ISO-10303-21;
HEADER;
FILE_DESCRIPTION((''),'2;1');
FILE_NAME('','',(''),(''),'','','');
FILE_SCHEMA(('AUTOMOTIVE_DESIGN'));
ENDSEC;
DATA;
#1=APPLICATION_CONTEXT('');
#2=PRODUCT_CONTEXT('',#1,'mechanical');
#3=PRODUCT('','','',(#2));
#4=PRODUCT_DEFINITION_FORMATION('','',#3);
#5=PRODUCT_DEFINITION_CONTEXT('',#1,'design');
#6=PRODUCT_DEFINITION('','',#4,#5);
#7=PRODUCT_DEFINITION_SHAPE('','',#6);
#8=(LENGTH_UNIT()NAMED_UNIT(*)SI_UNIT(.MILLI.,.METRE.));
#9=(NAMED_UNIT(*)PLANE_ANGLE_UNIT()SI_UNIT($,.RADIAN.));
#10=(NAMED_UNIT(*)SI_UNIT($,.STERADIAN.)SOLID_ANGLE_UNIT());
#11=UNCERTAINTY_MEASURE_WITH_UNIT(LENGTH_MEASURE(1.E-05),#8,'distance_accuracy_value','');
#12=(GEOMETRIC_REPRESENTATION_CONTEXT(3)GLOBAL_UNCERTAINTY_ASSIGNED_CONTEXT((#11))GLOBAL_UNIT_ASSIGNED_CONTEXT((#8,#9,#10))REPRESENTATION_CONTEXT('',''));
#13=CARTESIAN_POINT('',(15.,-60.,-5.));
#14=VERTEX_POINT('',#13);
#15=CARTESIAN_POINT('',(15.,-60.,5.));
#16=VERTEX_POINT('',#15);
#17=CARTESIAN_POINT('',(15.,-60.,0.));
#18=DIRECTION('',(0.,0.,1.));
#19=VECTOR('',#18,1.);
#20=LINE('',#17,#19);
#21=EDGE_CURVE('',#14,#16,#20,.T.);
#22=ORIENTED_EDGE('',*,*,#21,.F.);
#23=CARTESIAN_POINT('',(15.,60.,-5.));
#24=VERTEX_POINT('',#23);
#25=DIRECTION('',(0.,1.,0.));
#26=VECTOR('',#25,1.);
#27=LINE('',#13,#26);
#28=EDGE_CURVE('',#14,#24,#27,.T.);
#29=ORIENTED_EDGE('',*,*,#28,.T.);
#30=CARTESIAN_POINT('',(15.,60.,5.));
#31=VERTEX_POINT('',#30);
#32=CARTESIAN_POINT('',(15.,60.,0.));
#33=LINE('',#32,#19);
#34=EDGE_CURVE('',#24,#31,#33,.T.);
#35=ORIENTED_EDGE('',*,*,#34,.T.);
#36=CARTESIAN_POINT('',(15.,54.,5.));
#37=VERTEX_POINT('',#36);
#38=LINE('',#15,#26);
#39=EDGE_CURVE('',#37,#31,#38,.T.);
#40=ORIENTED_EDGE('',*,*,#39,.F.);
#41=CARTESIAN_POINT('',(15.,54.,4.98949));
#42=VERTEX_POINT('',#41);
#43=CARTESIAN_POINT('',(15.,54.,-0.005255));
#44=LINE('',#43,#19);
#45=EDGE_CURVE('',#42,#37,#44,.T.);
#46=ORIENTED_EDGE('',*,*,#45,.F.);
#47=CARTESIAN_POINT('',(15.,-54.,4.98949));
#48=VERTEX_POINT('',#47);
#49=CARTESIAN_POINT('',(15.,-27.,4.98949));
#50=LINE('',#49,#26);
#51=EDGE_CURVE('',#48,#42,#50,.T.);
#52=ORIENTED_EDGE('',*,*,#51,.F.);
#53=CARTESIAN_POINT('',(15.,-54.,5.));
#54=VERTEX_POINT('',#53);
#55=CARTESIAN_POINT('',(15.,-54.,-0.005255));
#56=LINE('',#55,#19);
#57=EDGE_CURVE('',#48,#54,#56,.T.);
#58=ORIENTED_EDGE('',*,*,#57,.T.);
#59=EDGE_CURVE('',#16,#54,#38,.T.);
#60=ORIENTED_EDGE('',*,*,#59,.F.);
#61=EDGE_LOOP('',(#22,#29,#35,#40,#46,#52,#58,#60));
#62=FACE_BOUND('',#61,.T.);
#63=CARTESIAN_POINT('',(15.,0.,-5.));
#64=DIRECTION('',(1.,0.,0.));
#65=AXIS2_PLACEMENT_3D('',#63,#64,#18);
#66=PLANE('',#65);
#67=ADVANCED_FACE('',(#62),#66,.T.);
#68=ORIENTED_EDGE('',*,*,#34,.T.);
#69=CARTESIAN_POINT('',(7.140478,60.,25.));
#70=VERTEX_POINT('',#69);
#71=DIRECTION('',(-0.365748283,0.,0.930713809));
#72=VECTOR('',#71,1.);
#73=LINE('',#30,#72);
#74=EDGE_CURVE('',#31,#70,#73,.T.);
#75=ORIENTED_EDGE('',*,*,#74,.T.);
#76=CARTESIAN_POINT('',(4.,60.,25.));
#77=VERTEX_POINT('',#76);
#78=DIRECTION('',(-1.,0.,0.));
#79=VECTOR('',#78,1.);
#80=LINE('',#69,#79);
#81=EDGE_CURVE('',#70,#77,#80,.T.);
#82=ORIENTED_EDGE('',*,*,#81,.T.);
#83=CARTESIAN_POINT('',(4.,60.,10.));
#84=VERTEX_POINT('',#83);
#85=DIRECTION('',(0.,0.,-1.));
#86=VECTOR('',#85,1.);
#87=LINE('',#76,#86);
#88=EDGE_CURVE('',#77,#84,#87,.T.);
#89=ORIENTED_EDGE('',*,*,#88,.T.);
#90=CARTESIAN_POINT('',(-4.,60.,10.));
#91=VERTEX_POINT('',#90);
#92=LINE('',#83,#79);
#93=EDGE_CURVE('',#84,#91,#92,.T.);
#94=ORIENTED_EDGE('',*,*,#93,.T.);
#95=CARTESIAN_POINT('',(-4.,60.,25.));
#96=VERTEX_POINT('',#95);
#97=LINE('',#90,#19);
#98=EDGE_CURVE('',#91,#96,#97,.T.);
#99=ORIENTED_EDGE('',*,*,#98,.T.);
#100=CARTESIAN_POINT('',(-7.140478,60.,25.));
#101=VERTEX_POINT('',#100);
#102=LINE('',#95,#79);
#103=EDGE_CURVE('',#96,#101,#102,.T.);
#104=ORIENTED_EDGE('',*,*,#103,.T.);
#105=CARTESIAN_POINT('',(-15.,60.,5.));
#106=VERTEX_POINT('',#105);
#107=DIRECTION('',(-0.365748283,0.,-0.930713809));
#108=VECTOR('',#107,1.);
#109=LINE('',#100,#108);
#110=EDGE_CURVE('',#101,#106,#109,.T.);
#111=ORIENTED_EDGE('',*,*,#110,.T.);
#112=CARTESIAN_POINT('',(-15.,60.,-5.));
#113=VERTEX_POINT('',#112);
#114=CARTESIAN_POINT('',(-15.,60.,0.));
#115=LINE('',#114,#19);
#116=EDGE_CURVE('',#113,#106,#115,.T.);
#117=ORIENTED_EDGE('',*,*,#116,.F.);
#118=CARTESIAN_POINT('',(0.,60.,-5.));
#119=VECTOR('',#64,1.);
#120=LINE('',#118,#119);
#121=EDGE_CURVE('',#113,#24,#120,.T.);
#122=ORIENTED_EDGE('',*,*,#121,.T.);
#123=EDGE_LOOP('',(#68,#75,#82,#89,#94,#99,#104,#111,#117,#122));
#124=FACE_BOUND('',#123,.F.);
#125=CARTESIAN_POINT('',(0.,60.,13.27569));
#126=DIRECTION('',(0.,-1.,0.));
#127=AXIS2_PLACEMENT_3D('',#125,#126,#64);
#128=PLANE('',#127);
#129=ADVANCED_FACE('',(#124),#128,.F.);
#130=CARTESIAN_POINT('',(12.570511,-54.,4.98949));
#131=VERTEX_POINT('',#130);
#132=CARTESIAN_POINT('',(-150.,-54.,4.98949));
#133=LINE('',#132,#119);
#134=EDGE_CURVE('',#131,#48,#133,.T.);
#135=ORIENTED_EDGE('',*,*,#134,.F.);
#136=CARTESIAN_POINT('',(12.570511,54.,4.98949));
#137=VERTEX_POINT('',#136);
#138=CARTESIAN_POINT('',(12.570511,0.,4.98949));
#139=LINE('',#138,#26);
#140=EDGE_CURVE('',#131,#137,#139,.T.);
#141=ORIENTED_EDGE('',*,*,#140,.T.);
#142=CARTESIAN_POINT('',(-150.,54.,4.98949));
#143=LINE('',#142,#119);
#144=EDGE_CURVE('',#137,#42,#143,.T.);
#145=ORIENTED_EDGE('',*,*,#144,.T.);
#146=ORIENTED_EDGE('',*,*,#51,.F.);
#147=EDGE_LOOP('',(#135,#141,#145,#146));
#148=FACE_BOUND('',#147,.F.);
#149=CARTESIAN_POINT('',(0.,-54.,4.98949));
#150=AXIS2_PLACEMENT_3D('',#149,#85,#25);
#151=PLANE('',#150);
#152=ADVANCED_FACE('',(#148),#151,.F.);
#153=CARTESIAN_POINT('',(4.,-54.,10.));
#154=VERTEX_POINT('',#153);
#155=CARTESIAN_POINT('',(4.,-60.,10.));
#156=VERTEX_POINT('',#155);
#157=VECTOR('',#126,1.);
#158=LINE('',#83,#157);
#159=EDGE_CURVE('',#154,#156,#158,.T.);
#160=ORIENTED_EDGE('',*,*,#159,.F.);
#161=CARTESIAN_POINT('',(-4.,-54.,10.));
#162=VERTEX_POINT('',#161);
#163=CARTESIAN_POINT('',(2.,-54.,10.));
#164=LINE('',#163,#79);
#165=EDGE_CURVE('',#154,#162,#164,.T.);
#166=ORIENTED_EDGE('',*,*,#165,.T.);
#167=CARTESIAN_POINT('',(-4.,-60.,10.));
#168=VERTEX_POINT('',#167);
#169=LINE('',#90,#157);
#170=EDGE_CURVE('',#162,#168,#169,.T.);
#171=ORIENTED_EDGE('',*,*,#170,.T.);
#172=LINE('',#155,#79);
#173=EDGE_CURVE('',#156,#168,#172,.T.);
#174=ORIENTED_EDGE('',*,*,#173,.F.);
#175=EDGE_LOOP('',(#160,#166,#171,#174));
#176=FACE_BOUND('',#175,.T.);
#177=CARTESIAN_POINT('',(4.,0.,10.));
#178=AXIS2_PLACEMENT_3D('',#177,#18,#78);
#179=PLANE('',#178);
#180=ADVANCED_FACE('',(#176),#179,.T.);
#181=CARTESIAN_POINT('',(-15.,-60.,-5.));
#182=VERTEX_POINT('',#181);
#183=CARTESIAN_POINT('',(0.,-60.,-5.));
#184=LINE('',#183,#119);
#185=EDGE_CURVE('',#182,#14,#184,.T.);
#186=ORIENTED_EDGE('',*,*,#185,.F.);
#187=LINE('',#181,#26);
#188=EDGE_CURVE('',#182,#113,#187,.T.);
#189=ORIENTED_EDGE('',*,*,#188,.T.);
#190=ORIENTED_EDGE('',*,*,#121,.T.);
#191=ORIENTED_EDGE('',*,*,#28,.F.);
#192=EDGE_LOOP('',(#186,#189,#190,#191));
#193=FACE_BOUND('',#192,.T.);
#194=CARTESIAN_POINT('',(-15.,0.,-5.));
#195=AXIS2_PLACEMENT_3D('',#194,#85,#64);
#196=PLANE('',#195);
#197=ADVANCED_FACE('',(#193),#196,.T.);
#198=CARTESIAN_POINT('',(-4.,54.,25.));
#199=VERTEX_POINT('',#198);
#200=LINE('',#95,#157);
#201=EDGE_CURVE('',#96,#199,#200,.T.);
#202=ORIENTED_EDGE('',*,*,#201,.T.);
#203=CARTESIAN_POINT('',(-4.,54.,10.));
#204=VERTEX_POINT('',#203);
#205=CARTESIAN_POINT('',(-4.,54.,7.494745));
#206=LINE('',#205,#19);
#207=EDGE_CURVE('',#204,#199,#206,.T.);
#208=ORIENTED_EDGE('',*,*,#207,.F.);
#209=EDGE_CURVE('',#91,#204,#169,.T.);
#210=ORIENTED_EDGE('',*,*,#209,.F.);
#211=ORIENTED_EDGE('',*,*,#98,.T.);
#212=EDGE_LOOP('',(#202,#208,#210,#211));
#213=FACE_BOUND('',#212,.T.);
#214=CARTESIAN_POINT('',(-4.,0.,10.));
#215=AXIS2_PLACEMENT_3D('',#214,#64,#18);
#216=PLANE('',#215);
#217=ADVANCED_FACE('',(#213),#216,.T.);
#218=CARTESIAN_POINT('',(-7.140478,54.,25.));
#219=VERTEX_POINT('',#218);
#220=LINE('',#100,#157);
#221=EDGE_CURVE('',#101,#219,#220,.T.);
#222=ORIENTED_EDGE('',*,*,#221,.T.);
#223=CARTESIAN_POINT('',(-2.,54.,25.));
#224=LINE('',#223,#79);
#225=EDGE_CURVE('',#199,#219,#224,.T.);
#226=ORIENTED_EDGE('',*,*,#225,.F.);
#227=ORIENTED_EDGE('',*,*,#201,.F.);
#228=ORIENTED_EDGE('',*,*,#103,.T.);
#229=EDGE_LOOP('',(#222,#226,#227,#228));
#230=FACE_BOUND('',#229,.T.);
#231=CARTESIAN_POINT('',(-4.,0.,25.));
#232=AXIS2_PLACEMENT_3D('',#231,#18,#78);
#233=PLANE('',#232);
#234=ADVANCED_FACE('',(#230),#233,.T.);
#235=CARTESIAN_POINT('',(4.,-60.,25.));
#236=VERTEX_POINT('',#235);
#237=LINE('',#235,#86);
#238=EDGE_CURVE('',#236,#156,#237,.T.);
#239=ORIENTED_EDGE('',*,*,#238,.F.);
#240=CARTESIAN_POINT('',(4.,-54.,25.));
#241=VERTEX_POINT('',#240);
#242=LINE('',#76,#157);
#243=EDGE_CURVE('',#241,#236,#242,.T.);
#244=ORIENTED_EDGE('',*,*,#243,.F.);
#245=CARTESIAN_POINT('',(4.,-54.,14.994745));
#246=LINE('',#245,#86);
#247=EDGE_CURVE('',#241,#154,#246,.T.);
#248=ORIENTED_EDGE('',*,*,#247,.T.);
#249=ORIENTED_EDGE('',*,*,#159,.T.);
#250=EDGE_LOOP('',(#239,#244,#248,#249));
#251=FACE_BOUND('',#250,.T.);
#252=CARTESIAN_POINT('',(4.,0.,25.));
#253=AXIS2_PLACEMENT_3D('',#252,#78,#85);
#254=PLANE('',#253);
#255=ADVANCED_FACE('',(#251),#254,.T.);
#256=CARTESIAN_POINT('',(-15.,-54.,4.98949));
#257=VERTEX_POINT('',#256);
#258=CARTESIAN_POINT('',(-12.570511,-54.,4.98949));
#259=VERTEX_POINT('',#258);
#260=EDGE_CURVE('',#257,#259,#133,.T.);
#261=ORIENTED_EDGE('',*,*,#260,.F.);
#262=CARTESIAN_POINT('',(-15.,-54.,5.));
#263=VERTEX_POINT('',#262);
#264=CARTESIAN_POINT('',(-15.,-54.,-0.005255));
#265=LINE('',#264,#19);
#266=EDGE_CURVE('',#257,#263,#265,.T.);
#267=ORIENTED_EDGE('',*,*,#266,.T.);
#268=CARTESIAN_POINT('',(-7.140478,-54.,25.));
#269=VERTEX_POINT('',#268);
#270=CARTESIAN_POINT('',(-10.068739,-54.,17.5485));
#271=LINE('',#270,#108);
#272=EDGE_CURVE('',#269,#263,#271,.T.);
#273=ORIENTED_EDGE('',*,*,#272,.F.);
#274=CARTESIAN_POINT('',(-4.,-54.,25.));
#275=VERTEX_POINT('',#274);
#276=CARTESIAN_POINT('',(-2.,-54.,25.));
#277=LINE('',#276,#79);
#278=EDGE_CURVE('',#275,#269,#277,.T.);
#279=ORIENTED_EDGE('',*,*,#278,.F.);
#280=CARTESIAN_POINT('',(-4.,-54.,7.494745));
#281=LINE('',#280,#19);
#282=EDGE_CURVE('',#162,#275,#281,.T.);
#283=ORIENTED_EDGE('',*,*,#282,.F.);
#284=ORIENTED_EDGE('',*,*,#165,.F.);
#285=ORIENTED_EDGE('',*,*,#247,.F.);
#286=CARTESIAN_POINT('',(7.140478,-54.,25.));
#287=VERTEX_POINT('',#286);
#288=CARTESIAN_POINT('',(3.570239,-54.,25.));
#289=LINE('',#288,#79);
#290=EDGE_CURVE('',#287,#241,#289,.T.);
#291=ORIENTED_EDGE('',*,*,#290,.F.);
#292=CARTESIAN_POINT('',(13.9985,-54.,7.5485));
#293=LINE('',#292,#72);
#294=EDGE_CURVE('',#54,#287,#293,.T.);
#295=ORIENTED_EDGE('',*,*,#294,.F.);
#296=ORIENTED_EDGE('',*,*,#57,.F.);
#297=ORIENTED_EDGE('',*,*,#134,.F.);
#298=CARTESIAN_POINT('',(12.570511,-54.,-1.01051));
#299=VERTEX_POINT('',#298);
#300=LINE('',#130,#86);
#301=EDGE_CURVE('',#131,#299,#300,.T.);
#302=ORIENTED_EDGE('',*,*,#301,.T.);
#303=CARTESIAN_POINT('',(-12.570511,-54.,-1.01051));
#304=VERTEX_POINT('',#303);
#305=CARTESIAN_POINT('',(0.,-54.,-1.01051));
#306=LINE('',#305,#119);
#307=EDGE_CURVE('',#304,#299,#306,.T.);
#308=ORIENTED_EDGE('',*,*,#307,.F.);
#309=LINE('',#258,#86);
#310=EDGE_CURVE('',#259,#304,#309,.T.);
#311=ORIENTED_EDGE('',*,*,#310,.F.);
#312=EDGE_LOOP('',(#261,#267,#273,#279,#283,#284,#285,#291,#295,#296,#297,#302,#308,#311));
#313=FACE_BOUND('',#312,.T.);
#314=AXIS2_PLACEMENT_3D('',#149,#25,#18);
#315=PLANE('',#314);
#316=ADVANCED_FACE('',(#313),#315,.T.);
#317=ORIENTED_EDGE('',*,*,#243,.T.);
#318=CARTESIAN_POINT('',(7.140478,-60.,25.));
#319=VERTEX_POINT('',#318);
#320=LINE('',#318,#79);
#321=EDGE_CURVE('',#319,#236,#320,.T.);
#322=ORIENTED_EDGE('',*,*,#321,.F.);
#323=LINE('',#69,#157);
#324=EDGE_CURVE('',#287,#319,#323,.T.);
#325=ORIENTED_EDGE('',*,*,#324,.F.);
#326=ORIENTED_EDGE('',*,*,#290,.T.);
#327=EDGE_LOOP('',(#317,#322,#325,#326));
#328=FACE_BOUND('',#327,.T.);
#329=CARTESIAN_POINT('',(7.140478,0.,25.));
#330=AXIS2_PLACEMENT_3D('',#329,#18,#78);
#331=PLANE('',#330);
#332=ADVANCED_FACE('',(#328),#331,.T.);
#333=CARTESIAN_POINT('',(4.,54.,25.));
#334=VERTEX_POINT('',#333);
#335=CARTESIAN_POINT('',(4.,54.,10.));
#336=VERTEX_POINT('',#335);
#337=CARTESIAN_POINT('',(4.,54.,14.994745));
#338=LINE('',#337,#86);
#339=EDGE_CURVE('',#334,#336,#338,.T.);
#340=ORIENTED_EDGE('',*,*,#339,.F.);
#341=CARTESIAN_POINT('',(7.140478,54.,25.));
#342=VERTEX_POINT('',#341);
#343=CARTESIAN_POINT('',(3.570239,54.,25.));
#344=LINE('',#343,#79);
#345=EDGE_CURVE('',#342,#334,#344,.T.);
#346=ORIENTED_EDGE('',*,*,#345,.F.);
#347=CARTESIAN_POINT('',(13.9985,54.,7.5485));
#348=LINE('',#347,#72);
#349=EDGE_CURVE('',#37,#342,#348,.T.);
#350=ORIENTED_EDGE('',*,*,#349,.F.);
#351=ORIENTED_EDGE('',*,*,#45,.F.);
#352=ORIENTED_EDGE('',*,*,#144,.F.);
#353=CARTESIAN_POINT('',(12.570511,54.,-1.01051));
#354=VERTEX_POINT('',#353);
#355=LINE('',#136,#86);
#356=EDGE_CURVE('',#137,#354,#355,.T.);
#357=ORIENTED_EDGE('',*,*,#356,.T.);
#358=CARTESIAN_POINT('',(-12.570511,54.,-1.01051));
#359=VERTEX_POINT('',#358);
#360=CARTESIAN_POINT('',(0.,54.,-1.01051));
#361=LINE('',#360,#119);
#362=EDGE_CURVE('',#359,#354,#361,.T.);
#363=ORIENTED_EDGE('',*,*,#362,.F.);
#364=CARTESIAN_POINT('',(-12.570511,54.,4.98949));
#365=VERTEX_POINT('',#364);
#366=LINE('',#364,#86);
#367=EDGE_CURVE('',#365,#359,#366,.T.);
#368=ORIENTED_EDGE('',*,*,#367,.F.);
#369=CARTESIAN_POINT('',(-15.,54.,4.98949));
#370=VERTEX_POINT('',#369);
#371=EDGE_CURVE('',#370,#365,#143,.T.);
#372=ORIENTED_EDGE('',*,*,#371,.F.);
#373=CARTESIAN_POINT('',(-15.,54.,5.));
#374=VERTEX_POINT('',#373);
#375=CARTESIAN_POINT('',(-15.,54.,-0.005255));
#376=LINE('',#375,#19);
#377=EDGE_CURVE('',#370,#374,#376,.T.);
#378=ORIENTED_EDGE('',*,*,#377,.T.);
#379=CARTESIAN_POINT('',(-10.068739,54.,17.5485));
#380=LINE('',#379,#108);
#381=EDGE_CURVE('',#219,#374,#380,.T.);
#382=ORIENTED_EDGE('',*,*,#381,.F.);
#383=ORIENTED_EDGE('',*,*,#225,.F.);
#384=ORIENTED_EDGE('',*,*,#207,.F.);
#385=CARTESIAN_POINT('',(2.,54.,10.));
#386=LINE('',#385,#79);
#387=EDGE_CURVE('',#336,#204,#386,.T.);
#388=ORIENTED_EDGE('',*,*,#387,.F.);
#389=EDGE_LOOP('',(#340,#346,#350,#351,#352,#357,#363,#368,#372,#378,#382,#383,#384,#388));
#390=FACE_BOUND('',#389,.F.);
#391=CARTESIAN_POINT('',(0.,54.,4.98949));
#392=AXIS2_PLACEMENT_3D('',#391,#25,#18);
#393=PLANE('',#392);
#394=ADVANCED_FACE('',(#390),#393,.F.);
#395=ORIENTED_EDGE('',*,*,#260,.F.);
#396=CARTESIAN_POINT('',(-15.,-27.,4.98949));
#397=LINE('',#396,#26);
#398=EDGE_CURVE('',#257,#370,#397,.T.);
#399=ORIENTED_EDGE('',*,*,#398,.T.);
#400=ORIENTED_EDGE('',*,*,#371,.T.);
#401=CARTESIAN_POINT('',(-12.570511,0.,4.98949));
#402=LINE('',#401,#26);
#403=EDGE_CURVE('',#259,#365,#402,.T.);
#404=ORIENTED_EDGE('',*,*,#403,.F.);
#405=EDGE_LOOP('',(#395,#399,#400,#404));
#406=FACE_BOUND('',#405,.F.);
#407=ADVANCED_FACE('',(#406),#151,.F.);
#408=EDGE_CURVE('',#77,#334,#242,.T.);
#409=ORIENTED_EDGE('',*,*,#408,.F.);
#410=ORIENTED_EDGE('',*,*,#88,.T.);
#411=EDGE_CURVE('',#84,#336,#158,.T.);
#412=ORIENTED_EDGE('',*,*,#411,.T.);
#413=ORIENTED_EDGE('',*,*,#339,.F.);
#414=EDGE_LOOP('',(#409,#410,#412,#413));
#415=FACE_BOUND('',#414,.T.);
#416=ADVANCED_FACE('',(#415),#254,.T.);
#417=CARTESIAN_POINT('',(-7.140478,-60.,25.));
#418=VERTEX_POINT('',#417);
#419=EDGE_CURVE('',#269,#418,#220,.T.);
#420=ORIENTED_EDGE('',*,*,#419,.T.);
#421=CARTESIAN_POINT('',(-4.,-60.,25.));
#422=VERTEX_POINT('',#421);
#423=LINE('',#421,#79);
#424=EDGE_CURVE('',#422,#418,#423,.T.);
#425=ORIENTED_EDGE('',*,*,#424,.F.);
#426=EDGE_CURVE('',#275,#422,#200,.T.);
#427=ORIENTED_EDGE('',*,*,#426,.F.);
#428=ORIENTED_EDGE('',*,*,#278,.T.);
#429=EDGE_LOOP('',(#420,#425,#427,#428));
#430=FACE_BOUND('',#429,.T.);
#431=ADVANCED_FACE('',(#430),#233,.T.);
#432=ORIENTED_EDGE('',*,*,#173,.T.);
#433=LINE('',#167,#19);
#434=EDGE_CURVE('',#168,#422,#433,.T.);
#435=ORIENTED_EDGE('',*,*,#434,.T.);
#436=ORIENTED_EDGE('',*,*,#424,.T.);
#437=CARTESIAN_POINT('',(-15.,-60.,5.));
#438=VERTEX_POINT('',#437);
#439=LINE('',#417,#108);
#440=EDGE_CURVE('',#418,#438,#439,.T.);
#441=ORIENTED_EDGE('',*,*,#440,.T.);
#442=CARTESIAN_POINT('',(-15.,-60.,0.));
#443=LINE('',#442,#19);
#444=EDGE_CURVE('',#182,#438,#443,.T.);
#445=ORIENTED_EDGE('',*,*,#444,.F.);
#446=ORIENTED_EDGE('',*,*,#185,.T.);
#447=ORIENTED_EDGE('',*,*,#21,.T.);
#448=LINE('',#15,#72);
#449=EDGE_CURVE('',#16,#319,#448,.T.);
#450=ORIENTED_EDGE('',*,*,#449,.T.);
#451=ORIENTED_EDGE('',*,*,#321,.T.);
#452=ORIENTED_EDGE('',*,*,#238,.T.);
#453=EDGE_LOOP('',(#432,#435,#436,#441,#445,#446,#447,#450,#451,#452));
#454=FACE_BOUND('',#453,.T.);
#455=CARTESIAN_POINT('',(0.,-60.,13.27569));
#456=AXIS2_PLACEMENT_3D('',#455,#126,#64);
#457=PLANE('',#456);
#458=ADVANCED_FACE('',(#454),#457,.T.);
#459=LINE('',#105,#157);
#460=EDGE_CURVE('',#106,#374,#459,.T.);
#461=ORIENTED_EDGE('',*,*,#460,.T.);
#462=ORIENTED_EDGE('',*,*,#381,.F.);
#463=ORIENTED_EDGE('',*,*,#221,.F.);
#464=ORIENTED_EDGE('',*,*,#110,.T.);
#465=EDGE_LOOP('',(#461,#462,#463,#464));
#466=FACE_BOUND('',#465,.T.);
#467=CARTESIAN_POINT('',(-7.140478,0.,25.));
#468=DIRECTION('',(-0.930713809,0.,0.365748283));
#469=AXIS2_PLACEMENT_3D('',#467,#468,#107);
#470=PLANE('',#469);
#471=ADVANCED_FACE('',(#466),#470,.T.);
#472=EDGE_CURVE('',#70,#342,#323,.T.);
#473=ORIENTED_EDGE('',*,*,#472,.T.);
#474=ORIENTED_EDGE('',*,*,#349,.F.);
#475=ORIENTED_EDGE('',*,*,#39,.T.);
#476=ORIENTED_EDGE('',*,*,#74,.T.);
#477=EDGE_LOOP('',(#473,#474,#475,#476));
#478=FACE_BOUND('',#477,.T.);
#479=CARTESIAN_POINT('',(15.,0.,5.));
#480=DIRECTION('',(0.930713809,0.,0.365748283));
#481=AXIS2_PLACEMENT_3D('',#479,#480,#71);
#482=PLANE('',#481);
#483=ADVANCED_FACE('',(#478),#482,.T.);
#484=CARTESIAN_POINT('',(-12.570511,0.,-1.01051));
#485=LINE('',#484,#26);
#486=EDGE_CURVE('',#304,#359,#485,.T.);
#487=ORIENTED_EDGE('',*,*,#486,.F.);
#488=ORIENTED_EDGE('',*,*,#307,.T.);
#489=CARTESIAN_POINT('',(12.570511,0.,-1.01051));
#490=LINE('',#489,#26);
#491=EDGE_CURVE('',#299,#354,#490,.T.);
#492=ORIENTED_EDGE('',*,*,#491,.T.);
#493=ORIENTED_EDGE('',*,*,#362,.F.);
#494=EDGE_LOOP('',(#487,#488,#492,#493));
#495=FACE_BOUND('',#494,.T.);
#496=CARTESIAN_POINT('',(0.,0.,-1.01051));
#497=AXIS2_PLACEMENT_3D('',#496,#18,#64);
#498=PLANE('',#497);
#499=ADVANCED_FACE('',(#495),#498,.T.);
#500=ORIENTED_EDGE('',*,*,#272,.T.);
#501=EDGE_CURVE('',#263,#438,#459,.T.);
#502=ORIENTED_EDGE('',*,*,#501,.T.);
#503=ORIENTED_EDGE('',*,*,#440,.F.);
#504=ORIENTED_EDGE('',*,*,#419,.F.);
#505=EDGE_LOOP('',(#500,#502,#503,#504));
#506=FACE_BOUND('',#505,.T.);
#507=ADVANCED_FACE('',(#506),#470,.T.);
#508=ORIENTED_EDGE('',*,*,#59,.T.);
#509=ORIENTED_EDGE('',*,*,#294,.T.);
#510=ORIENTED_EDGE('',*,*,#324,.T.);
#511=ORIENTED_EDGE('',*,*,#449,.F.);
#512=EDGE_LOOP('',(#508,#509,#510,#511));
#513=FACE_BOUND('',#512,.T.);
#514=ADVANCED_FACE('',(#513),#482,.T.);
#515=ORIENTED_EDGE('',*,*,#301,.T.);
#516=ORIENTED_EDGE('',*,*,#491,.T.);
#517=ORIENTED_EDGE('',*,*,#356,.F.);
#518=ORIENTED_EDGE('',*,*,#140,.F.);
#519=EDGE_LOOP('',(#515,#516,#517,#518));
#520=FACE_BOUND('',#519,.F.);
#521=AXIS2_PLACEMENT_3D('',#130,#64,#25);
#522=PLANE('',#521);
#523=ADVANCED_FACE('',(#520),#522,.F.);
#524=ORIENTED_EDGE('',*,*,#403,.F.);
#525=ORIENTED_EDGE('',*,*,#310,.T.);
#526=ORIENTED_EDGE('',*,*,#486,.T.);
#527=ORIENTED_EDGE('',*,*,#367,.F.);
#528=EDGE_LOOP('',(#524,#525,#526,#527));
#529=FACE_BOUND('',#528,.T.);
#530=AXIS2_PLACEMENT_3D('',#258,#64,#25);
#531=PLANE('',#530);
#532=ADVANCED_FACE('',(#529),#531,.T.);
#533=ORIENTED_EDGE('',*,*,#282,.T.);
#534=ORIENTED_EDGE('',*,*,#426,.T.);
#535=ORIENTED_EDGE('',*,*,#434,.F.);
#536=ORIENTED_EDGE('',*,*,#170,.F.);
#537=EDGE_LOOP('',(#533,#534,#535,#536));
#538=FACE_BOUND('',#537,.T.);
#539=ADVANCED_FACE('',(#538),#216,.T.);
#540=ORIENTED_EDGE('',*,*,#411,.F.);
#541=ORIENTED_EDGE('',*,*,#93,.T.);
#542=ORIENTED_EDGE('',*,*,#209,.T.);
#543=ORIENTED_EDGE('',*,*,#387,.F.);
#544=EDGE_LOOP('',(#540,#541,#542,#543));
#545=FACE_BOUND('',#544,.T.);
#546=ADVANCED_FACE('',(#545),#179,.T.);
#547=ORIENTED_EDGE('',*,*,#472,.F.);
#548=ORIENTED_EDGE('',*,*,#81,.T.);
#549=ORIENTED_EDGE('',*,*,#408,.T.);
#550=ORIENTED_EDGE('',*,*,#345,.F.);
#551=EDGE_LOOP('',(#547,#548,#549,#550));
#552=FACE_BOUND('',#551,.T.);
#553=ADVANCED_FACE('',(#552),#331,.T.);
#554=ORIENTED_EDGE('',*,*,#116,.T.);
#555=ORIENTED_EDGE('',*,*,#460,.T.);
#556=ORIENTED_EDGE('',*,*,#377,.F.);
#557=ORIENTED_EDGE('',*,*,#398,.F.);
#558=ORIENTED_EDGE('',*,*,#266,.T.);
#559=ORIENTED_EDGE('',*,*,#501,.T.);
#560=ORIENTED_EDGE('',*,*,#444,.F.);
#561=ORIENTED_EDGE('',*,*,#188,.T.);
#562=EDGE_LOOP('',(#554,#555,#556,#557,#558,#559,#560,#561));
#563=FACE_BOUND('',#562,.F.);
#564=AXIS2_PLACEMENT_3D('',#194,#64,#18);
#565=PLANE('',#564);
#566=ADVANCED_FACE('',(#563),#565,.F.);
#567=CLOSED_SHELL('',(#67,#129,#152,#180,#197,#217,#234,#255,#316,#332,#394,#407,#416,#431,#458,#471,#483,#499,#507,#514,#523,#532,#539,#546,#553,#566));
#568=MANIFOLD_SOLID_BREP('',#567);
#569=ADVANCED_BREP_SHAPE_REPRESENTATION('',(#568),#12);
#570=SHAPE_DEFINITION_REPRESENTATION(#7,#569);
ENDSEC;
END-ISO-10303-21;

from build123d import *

# Parameters (mm, degrees)
F0_W     = 30
F0_H     = 10
F1_DEPTH = 60
F2_W     = 108
F2_H     = 39.921402
F3_DEPTH = 150
F4_W     = 25.141022
F4_H     = 108
F5_DEPTH = 6


with BuildPart() as f1:
    # F0 (on Front) → F1 (new body, symmetric)
    with BuildSketch(Plane.XZ):
        Polygon((-15, 5), (15, 5), (7.140478, 25), (4, 25), (4, 10), (-4, 10), (-4, 25), (-7.140478, 25), align=None)
        Rectangle(F0_W, F0_H)
    extrude(amount=F1_DEPTH, both=True)

    # F2 (on Right) → F3 (cut, symmetric)
    with BuildSketch(Plane.YZ):
        with Locations((0, 24.950191)):
            Rectangle(F2_W, F2_H)
    extrude(amount=F3_DEPTH, both=True, mode=Mode.SUBTRACT)

    # F4 (on face) → F5 (cut)
    with BuildSketch(Plane.XY.offset(4.98949)):
        Rectangle(F4_W, F4_H)
    extrude(amount=-F5_DEPTH, mode=Mode.SUBTRACT)


solid = f1.part
